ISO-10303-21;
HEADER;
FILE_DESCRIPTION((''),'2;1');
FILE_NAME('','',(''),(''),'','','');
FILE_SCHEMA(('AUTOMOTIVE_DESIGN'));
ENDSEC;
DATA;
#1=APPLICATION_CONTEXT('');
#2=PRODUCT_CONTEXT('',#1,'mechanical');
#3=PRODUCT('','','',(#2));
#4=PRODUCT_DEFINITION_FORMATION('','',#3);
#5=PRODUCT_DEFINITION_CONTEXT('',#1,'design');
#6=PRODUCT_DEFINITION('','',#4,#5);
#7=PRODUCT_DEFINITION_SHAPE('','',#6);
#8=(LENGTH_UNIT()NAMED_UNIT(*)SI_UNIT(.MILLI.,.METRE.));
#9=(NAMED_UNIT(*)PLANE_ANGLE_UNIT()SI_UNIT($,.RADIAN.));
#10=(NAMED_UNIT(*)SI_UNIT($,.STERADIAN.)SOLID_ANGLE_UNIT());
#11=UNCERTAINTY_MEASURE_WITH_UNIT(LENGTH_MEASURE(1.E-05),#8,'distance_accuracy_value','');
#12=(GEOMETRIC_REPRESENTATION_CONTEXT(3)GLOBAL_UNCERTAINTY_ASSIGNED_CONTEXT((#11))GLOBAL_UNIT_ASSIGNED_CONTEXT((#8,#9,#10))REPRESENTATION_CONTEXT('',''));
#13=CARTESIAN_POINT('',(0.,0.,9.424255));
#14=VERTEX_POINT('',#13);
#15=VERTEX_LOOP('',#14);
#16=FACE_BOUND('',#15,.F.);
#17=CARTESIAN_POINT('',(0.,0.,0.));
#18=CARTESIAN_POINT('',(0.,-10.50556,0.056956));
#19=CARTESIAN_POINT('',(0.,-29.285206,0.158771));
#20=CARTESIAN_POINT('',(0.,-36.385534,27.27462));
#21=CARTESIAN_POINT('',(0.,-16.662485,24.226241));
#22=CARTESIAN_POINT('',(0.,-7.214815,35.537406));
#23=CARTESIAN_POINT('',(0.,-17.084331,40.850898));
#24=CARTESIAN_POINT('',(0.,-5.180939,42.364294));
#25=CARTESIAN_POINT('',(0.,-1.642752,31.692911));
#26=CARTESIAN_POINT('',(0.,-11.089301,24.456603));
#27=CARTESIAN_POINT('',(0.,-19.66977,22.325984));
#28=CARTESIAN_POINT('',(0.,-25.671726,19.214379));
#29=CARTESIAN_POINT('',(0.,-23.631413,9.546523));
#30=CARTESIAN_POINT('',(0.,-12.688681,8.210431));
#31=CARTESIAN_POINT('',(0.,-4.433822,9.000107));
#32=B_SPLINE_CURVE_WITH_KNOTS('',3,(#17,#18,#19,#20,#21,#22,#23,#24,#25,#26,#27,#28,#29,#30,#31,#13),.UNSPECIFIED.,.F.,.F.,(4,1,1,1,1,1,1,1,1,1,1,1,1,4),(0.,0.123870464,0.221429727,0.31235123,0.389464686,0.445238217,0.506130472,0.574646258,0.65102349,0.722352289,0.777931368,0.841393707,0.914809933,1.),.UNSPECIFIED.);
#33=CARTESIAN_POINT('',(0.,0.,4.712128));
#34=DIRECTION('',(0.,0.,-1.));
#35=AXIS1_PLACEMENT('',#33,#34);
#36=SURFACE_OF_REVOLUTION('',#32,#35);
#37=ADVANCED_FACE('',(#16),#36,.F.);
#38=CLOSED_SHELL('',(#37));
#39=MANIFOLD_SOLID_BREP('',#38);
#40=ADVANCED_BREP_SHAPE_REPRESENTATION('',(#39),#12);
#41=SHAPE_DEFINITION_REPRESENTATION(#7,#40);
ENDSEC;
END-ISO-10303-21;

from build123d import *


with BuildPart() as f1:
    # F0 (on Right) → F1 (revolve)
    with BuildSketch(Plane.YZ):
        with BuildLine():
            Line((0, 0), (0, 9.4242552295))
            add(Edge.make_bspline(
                [(0, 0), (-10.5055604466, 0.0569564278), (-29.2852057776, 0.1587712257), (-36.3855338052, 27.2746196139), (-16.662485019, 24.2262413094), (-7.2148153122, 35.5374056191), (-17.084330574, 40.850898359), (-5.1809390136, 42.3642937519), (-1.6427517415, 31.6929112115), (-11.0893005211, 24.4566025646), (-19.669769534, 22.3259836917), (-25.6717258622, 19.2143793913), (-23.631413354, 9.5465225173), (-12.6886809517, 8.2104306986), (-4.4338216596, 9.0001070051), (0, 9.4242552295)],
                knots=[0, 0, 0, 0, 0.123870464, 0.2214297269, 0.31235123, 0.3894646855, 0.4452382167, 0.5061304717, 0.5746462584, 0.6510234903, 0.722352289, 0.7779313675, 0.841393707, 0.9148099329, 1, 1, 1, 1], degree=3))
        make_face()
    revolve(axis=Axis((0, 0, 4.7121276148), (0, 0, -1)))


solid = f1.part
